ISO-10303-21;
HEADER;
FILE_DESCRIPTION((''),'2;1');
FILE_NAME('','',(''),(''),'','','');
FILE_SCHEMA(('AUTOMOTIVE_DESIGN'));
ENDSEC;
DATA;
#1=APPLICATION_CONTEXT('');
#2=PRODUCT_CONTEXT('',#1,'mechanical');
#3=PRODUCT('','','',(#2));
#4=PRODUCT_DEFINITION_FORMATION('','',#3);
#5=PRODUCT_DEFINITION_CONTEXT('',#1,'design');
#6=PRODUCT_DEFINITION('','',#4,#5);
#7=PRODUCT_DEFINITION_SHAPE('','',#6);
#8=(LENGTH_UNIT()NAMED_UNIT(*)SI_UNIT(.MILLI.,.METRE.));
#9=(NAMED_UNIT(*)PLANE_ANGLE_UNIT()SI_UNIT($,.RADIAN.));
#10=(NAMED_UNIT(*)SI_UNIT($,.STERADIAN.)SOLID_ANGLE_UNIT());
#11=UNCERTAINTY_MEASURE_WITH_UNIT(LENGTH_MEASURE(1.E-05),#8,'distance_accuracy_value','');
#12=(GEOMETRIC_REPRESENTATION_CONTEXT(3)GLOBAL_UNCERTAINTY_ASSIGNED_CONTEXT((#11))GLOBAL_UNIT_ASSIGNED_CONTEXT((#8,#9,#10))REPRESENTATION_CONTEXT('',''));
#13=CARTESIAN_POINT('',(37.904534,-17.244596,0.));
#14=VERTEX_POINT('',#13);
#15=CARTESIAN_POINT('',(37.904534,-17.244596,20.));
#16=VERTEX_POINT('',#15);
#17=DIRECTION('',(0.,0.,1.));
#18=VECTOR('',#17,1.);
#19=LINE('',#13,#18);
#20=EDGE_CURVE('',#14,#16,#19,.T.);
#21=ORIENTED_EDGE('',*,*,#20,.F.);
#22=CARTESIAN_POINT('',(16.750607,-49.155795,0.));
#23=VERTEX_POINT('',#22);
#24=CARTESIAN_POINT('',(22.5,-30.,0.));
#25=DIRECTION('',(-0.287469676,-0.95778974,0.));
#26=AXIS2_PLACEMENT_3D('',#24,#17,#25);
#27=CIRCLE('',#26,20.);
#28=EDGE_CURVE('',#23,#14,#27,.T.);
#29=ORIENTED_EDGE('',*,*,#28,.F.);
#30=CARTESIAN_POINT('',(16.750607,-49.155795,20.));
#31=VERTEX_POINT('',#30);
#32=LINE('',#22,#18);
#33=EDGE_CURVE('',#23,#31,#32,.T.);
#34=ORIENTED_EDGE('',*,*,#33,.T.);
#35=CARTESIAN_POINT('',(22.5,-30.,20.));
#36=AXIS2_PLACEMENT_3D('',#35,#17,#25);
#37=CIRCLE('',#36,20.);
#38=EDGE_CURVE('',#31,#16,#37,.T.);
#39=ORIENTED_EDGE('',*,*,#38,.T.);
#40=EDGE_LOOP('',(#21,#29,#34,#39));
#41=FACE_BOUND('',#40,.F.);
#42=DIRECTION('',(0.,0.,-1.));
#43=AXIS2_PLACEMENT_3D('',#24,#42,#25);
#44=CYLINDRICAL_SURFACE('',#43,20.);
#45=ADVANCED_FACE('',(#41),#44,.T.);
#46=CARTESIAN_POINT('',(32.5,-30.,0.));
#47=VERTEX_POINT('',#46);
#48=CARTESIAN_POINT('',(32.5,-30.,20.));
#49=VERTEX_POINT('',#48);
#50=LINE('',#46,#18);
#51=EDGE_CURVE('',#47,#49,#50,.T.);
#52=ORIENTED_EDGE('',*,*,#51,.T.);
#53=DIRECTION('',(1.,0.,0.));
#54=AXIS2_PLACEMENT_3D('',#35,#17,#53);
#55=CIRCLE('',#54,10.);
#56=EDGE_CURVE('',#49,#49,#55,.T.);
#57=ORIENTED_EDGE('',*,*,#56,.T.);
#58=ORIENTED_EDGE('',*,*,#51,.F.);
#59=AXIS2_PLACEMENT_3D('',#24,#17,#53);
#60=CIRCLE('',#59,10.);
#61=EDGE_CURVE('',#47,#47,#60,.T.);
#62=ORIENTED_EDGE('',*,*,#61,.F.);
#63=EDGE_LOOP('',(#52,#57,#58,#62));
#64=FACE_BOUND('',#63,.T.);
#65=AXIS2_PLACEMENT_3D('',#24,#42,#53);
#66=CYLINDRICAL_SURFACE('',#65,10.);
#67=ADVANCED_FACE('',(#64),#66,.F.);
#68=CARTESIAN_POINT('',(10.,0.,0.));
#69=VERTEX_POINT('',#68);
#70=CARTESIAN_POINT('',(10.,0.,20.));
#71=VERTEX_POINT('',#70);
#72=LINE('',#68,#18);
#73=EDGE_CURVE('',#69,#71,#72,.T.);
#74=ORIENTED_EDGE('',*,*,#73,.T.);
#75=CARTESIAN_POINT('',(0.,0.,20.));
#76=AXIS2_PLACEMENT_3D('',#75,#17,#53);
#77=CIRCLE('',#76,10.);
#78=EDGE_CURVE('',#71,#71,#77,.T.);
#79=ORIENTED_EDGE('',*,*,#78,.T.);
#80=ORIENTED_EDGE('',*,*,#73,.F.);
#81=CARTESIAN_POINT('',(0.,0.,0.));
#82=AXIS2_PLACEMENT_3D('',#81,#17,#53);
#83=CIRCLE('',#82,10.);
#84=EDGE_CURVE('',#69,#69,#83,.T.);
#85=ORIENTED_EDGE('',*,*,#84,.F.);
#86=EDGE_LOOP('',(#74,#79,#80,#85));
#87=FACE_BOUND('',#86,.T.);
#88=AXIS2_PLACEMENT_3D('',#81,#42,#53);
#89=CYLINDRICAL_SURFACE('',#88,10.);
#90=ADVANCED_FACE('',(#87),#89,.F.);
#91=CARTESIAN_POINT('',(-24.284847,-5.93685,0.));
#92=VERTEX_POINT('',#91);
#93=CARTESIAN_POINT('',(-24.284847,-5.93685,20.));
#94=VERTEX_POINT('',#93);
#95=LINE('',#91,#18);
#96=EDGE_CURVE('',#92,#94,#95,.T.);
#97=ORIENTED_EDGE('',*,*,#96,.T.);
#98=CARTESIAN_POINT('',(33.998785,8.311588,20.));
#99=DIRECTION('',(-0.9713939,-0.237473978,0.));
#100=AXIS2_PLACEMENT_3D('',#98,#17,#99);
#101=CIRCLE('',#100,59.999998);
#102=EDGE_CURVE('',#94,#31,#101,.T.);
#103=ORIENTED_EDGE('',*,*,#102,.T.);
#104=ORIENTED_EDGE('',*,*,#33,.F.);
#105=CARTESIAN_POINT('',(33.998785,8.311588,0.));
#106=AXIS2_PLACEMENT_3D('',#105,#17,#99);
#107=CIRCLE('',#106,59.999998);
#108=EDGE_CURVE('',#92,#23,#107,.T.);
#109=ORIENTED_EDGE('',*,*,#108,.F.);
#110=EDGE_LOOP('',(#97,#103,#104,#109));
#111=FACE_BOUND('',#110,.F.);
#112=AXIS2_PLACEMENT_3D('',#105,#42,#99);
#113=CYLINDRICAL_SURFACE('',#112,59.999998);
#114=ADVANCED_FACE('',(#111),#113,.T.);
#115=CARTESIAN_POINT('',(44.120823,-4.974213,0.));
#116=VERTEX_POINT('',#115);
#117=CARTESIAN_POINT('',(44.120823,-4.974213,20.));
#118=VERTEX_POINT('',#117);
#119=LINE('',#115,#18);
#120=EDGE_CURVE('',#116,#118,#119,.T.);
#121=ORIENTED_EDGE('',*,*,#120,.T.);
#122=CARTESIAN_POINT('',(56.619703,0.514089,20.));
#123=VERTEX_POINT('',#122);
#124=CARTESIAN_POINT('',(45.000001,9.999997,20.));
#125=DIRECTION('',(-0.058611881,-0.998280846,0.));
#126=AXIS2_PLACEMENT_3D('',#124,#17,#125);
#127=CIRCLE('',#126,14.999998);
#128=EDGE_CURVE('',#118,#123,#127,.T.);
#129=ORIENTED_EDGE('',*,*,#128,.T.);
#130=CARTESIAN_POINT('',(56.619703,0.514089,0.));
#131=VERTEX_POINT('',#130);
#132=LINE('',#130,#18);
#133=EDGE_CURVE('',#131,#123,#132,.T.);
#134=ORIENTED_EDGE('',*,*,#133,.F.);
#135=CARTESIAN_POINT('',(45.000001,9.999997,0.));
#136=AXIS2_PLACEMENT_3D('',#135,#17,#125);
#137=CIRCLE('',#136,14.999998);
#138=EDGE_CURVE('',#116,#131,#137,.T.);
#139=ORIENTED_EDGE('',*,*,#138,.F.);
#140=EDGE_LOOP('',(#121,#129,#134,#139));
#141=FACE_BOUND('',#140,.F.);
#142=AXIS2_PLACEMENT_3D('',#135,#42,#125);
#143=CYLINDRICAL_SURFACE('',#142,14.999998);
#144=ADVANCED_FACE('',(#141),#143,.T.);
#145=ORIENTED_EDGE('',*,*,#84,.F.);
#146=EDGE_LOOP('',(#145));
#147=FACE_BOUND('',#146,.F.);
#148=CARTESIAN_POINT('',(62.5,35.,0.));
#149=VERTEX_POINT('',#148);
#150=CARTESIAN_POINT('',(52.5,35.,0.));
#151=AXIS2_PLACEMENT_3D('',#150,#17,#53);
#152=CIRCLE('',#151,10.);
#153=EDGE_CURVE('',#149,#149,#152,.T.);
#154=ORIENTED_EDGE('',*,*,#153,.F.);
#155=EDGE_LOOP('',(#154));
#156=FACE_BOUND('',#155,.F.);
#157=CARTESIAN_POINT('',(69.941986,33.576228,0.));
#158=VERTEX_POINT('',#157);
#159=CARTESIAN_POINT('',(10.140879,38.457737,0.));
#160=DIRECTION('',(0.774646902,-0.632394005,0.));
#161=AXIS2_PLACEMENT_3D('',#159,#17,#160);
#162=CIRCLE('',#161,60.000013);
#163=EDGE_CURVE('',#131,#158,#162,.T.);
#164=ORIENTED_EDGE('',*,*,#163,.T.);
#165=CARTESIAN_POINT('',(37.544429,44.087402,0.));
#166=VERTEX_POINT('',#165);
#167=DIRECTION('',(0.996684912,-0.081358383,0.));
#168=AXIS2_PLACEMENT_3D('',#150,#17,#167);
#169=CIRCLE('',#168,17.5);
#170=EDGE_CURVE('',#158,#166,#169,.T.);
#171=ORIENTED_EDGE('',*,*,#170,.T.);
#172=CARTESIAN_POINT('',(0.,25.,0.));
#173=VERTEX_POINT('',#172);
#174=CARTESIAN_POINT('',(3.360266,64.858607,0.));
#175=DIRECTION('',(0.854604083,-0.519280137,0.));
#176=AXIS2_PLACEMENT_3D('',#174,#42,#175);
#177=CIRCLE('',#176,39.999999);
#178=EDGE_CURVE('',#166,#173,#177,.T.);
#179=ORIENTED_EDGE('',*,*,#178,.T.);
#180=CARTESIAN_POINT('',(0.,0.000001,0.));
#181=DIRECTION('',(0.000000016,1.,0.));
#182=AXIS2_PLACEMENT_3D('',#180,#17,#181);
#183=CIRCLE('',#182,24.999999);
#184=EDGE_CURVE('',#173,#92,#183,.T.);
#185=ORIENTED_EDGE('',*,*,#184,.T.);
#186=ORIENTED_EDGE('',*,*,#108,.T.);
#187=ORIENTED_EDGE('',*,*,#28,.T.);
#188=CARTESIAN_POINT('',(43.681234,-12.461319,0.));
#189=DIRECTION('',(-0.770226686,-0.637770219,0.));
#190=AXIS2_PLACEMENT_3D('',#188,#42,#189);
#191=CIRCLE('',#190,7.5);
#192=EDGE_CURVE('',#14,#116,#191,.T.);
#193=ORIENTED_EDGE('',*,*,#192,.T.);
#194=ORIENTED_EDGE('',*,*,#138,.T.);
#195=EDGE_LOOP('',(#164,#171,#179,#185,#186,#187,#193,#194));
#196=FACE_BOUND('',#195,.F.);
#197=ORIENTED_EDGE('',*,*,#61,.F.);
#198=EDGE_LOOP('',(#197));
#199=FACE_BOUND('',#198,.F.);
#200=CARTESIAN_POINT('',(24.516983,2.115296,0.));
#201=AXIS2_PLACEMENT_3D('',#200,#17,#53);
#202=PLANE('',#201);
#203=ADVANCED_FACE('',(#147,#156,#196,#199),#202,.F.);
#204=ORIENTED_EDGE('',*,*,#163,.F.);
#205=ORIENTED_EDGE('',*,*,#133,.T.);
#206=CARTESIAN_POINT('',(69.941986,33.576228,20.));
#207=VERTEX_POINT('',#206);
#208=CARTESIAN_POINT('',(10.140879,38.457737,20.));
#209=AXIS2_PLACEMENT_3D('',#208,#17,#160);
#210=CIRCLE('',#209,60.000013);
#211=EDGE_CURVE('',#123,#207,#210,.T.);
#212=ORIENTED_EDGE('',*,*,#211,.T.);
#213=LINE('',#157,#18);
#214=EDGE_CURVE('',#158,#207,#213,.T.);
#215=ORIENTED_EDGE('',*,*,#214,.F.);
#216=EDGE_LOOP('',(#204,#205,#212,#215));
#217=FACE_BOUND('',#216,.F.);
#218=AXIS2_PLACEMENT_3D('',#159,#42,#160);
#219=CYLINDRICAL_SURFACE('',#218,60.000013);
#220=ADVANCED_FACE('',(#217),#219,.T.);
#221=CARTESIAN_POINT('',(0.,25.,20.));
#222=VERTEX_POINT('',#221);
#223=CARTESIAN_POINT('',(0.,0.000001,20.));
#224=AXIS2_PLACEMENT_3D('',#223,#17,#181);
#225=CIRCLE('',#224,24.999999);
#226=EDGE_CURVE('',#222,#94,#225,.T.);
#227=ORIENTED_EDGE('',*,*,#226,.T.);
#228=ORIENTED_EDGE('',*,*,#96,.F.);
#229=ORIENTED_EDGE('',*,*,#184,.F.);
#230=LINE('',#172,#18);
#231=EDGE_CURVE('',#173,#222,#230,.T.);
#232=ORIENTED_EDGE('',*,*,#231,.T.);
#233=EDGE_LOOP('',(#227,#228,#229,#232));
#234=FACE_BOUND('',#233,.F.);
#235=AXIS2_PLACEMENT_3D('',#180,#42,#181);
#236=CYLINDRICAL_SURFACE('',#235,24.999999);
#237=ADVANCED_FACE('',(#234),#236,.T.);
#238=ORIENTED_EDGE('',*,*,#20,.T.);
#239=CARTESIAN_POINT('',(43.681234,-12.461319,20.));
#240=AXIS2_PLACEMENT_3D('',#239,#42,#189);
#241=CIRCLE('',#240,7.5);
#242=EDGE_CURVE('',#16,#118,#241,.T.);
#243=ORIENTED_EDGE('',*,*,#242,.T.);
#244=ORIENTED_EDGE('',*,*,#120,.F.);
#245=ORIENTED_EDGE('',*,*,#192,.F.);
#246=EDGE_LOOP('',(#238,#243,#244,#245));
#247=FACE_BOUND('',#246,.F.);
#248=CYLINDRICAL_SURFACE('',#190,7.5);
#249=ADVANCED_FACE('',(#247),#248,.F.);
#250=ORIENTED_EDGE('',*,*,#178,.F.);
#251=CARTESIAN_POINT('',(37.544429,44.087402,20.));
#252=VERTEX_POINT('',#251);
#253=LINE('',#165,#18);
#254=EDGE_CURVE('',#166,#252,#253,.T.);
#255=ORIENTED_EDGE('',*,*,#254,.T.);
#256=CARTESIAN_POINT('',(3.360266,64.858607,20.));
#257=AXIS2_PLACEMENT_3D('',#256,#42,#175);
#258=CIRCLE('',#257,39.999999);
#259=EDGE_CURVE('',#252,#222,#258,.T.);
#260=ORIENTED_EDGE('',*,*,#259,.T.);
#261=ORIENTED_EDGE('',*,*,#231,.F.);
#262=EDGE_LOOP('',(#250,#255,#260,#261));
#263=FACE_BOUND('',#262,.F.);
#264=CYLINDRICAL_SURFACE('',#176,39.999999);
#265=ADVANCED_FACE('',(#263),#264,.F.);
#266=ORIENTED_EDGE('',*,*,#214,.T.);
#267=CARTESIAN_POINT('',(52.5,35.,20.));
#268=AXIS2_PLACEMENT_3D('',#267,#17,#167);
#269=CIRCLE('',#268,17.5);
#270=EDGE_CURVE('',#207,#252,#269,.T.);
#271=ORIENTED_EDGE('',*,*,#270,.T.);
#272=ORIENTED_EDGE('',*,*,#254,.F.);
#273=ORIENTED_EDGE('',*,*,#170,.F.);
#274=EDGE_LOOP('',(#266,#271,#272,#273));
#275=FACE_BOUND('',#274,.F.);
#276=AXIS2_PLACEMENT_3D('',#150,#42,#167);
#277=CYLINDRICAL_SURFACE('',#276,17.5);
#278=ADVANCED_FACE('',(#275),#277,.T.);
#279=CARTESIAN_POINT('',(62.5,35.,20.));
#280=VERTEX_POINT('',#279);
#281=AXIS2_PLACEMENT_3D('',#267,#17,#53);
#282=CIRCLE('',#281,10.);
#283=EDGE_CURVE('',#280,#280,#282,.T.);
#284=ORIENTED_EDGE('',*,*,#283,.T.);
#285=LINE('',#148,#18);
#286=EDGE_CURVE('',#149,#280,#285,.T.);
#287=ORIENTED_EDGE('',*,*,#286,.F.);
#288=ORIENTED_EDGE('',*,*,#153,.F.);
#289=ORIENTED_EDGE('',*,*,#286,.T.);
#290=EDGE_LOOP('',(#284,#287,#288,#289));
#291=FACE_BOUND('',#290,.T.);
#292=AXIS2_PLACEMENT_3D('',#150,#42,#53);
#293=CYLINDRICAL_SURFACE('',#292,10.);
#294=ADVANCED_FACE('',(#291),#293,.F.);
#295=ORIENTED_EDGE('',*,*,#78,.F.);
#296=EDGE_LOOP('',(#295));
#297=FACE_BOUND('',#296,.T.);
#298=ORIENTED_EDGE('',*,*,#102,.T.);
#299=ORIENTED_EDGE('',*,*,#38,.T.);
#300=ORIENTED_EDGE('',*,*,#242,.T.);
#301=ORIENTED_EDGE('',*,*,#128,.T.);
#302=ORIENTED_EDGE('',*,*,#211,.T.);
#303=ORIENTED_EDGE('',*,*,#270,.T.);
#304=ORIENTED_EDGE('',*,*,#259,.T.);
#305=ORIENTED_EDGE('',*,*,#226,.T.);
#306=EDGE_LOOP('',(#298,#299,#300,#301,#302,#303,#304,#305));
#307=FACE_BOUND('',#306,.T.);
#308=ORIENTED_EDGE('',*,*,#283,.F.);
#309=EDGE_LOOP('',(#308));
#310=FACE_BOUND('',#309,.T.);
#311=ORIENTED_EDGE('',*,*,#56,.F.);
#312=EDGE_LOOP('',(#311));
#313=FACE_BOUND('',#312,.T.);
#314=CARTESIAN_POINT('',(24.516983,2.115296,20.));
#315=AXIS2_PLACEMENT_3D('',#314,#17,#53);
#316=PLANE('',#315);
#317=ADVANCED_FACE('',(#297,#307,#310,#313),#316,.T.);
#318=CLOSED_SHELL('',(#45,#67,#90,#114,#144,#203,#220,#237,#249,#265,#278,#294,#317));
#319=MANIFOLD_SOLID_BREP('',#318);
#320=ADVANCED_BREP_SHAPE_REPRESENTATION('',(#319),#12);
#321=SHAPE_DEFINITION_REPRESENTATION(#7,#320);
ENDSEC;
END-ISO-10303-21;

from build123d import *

# Parameters (mm, degrees)
F0_R     = 10
F1_DEPTH = 20


with BuildPart() as f1:
    # F0 (on Top) → F1 (new body)
    with BuildSketch(Plane.XY):
        with BuildLine():
            ThreePointArc((37.544429, 44.087402), (21.48788, 29.202057), (0, 25))
            ThreePointArc((0, 25), (-19.664959, 15.436625), (-24.284847, -5.93685))
            ThreePointArc((-24.284847, -5.93685), (-9.512511, -33.001447), (16.750607, -49.155795))
            ThreePointArc((16.750607, -49.155795), (39.169931, -41.050494), (37.904534, -17.244596))
            ThreePointArc((37.904534, -17.244596), (36.990811, -9.071889), (44.120823, -4.974213))
            ThreePointArc((44.120823, -4.974213), (51.030762, -3.734261), (56.619703, 0.514089))
            ThreePointArc((56.619703, 0.514089), (65.792763, 16.032989), (69.941986, 33.576228))
            ThreePointArc((69.941986, 33.576228), (57.900626, 51.645817), (37.544429, 44.087402))
        make_face()
        Circle(F0_R, mode=Mode.SUBTRACT)
        with Locations((22.5, -30)):
            Circle(F0_R, mode=Mode.SUBTRACT)
        with Locations((52.5, 35)):
            Circle(F0_R, mode=Mode.SUBTRACT)
    extrude(amount=F1_DEPTH)


solid = f1.part
